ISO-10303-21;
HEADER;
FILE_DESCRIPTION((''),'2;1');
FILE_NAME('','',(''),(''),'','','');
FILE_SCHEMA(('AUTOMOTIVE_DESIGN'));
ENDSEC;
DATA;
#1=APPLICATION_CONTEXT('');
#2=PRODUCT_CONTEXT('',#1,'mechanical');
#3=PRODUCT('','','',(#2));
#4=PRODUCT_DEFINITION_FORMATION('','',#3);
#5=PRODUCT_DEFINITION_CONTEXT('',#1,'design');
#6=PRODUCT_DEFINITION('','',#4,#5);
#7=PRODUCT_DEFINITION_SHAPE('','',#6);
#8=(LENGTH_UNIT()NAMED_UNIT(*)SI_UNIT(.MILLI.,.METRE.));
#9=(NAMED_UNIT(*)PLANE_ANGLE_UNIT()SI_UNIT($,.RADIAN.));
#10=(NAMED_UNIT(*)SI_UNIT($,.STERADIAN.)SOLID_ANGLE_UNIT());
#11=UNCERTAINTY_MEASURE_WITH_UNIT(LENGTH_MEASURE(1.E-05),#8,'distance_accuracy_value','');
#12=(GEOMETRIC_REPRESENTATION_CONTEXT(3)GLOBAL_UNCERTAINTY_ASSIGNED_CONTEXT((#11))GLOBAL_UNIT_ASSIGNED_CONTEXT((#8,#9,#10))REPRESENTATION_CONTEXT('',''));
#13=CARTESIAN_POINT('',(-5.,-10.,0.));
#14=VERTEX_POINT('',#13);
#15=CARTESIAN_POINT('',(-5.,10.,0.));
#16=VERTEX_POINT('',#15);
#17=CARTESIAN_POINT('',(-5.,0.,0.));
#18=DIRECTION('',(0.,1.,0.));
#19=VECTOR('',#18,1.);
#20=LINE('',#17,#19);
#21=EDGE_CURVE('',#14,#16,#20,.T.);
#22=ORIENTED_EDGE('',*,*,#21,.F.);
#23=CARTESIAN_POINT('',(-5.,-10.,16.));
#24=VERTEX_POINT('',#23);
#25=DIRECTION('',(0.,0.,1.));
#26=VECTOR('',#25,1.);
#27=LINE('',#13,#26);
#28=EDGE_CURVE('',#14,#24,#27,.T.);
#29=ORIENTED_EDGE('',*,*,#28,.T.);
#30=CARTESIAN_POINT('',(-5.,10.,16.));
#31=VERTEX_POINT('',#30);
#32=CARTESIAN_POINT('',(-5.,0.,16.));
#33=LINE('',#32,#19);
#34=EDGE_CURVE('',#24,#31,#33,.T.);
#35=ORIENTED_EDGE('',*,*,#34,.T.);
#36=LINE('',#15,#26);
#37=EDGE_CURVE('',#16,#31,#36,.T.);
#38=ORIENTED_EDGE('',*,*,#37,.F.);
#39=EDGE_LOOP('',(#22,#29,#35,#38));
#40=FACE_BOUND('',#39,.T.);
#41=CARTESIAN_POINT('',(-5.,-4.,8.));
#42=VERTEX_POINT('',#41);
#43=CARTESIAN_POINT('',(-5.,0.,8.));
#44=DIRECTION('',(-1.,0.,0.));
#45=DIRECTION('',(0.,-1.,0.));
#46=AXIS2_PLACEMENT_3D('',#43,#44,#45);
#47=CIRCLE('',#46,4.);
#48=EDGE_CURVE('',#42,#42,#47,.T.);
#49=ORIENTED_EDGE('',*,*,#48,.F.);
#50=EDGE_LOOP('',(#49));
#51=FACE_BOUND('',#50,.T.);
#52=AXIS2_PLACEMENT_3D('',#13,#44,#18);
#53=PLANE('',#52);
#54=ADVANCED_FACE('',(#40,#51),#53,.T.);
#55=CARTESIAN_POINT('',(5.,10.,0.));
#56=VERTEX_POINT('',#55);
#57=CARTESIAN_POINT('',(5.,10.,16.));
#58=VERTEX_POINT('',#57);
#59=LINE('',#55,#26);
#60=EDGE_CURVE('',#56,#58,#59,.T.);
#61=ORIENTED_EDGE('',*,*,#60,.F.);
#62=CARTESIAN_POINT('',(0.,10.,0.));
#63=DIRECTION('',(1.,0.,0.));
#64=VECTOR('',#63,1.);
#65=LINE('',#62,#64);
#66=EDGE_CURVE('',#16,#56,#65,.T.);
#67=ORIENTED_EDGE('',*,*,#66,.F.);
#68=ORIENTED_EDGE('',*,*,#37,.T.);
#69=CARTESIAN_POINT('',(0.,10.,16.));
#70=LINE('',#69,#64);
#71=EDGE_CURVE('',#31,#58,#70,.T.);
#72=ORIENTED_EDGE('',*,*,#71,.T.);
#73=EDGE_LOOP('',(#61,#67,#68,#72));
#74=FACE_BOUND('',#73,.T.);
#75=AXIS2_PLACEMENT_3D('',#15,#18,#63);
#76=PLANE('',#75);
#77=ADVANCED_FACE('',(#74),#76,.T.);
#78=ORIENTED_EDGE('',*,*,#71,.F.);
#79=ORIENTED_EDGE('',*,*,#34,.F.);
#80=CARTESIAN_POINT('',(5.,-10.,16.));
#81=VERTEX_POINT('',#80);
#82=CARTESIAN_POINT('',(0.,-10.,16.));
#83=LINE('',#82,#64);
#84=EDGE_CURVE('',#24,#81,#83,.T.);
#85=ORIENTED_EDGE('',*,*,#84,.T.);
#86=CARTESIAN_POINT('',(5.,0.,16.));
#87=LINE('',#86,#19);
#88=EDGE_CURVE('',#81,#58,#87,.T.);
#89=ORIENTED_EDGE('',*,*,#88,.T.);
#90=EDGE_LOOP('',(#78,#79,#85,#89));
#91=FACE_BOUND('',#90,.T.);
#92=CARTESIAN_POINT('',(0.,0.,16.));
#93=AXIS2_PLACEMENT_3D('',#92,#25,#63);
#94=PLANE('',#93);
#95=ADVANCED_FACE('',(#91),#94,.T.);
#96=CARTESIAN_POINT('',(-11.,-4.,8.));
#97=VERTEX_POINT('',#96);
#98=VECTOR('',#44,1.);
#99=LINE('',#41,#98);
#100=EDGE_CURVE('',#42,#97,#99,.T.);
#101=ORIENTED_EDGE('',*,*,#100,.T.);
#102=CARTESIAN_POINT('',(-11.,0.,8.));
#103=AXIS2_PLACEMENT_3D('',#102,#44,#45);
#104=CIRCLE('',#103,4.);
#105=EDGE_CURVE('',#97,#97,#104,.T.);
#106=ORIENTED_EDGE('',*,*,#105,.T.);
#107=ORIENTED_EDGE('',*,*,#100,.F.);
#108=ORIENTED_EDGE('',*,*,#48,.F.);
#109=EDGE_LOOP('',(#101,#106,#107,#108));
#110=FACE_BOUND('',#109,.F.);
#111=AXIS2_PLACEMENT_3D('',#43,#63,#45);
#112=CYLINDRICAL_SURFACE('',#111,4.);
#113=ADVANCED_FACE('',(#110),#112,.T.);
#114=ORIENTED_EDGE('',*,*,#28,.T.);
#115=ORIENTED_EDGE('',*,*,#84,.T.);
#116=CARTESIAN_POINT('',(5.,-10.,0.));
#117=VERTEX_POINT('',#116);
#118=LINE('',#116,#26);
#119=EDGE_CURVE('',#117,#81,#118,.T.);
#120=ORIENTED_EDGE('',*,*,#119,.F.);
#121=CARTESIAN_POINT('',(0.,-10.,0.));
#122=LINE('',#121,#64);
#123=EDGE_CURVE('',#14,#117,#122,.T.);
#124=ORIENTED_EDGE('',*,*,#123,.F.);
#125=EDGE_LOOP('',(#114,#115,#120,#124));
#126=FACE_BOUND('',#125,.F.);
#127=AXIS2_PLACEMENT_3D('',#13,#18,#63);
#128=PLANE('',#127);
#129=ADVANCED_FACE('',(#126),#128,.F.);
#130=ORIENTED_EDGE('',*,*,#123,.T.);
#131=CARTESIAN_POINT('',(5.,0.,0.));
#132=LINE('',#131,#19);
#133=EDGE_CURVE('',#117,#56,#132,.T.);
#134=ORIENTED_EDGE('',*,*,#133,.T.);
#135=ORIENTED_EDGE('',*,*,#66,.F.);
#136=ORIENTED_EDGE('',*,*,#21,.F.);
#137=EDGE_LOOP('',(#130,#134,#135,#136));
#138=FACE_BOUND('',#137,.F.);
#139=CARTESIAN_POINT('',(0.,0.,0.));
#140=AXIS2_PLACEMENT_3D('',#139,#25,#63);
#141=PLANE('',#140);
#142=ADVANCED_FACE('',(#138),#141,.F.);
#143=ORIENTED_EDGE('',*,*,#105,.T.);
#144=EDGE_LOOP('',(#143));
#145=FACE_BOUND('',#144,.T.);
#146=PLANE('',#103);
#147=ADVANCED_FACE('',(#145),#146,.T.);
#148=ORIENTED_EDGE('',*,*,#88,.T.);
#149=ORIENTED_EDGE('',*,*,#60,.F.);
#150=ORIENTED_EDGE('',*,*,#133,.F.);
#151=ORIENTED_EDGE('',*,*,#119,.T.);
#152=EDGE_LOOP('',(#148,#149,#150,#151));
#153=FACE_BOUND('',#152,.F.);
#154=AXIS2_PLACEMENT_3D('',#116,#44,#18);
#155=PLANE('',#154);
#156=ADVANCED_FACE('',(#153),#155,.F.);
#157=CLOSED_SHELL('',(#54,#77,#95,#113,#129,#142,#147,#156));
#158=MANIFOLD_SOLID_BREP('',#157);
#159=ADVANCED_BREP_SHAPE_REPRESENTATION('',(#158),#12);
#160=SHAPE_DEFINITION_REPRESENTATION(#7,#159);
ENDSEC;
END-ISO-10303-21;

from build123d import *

# Parameters (mm, degrees)
F0_W     = 10
F0_H     = 20
F1_DEPTH = 16
F2_R     = 4
F3_DEPTH = 6


with BuildPart() as f1:
    # F0 (on Top) → F1 (new body)
    with BuildSketch(Plane.XY):
        Rectangle(F0_W, F0_H)
    extrude(amount=F1_DEPTH)

    # F2 (on face) → F3 (join)
    with BuildSketch(Plane(origin=(-5, 0, 0), x_dir=(0, -1, 0), z_dir=(-1, 0, 0))):
        with Locations((0, 8)):
            Circle(F2_R)
    extrude(amount=F3_DEPTH)


solid = f1.part
